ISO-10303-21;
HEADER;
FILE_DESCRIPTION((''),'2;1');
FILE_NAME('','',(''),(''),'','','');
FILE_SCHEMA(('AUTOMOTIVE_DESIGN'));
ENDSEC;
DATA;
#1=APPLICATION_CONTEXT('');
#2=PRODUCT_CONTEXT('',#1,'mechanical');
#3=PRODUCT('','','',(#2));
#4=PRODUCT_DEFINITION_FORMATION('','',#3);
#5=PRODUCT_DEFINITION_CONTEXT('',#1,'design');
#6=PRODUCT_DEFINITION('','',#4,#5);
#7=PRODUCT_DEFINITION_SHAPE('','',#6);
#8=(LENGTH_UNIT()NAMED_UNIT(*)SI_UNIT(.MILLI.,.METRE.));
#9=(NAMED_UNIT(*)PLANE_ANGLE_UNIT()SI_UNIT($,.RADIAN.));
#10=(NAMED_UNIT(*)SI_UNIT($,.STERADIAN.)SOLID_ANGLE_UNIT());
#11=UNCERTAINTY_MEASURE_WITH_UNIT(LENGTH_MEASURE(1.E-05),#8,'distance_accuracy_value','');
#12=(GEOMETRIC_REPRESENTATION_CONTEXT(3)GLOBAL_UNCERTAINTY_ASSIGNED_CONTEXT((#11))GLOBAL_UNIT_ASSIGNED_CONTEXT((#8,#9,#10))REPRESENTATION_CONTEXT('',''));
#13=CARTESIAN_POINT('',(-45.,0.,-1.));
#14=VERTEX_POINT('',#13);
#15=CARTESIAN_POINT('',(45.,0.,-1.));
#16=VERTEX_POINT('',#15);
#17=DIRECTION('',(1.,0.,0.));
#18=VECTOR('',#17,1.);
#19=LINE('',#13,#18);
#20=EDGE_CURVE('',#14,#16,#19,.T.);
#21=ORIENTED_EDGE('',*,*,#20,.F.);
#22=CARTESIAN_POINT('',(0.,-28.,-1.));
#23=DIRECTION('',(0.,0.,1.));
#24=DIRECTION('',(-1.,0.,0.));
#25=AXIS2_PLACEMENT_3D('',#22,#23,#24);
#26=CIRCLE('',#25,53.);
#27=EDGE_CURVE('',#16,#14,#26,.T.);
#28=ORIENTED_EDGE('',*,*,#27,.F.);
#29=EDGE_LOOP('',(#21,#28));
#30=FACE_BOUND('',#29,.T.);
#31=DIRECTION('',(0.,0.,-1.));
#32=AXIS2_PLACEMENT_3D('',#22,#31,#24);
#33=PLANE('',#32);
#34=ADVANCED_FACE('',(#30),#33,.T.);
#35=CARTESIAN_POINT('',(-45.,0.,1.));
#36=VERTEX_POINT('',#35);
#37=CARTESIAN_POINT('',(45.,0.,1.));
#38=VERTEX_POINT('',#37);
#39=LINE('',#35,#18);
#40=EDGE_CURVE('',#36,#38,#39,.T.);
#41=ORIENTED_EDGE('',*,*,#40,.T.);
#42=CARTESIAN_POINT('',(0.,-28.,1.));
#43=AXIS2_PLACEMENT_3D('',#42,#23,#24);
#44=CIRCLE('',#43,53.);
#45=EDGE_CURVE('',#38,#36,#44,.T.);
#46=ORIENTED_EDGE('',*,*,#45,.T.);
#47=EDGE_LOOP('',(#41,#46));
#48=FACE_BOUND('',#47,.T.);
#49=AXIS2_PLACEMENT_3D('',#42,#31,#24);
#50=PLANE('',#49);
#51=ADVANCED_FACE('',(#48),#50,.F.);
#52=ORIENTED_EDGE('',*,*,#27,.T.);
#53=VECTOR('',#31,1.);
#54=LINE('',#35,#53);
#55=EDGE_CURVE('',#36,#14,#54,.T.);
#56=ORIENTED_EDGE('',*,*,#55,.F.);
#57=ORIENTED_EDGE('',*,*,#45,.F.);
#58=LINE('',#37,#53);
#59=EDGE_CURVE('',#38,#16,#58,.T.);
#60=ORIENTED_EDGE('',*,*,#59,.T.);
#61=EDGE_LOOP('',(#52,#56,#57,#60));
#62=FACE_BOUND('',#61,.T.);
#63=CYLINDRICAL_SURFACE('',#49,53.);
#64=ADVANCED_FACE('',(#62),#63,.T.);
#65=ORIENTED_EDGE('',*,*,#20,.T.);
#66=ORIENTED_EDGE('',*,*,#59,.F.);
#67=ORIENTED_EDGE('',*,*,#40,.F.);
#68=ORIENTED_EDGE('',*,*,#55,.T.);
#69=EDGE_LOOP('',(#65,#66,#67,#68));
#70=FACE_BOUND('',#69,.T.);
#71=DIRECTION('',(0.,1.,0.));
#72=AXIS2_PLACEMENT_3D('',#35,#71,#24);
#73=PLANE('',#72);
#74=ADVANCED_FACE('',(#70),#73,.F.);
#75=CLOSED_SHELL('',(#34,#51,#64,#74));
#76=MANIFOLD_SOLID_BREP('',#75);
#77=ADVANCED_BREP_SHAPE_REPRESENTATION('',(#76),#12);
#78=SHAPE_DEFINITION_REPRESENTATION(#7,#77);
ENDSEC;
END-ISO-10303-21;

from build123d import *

# Parameters (mm, degrees)
BOSS_EXTRUDE1_DEPTH = 1


with BuildPart() as part:
    # Sketch1 → Boss-Extrude1 (new, symmetric)
    with BuildSketch(Plane.XY):
        with BuildLine():
            Line((-45, 0), (45, 0))
            ThreePointArc((45, 0), (0, 25), (-45, 0))
        make_face()
    extrude(amount=BOSS_EXTRUDE1_DEPTH, both=True)


solid = part.part
